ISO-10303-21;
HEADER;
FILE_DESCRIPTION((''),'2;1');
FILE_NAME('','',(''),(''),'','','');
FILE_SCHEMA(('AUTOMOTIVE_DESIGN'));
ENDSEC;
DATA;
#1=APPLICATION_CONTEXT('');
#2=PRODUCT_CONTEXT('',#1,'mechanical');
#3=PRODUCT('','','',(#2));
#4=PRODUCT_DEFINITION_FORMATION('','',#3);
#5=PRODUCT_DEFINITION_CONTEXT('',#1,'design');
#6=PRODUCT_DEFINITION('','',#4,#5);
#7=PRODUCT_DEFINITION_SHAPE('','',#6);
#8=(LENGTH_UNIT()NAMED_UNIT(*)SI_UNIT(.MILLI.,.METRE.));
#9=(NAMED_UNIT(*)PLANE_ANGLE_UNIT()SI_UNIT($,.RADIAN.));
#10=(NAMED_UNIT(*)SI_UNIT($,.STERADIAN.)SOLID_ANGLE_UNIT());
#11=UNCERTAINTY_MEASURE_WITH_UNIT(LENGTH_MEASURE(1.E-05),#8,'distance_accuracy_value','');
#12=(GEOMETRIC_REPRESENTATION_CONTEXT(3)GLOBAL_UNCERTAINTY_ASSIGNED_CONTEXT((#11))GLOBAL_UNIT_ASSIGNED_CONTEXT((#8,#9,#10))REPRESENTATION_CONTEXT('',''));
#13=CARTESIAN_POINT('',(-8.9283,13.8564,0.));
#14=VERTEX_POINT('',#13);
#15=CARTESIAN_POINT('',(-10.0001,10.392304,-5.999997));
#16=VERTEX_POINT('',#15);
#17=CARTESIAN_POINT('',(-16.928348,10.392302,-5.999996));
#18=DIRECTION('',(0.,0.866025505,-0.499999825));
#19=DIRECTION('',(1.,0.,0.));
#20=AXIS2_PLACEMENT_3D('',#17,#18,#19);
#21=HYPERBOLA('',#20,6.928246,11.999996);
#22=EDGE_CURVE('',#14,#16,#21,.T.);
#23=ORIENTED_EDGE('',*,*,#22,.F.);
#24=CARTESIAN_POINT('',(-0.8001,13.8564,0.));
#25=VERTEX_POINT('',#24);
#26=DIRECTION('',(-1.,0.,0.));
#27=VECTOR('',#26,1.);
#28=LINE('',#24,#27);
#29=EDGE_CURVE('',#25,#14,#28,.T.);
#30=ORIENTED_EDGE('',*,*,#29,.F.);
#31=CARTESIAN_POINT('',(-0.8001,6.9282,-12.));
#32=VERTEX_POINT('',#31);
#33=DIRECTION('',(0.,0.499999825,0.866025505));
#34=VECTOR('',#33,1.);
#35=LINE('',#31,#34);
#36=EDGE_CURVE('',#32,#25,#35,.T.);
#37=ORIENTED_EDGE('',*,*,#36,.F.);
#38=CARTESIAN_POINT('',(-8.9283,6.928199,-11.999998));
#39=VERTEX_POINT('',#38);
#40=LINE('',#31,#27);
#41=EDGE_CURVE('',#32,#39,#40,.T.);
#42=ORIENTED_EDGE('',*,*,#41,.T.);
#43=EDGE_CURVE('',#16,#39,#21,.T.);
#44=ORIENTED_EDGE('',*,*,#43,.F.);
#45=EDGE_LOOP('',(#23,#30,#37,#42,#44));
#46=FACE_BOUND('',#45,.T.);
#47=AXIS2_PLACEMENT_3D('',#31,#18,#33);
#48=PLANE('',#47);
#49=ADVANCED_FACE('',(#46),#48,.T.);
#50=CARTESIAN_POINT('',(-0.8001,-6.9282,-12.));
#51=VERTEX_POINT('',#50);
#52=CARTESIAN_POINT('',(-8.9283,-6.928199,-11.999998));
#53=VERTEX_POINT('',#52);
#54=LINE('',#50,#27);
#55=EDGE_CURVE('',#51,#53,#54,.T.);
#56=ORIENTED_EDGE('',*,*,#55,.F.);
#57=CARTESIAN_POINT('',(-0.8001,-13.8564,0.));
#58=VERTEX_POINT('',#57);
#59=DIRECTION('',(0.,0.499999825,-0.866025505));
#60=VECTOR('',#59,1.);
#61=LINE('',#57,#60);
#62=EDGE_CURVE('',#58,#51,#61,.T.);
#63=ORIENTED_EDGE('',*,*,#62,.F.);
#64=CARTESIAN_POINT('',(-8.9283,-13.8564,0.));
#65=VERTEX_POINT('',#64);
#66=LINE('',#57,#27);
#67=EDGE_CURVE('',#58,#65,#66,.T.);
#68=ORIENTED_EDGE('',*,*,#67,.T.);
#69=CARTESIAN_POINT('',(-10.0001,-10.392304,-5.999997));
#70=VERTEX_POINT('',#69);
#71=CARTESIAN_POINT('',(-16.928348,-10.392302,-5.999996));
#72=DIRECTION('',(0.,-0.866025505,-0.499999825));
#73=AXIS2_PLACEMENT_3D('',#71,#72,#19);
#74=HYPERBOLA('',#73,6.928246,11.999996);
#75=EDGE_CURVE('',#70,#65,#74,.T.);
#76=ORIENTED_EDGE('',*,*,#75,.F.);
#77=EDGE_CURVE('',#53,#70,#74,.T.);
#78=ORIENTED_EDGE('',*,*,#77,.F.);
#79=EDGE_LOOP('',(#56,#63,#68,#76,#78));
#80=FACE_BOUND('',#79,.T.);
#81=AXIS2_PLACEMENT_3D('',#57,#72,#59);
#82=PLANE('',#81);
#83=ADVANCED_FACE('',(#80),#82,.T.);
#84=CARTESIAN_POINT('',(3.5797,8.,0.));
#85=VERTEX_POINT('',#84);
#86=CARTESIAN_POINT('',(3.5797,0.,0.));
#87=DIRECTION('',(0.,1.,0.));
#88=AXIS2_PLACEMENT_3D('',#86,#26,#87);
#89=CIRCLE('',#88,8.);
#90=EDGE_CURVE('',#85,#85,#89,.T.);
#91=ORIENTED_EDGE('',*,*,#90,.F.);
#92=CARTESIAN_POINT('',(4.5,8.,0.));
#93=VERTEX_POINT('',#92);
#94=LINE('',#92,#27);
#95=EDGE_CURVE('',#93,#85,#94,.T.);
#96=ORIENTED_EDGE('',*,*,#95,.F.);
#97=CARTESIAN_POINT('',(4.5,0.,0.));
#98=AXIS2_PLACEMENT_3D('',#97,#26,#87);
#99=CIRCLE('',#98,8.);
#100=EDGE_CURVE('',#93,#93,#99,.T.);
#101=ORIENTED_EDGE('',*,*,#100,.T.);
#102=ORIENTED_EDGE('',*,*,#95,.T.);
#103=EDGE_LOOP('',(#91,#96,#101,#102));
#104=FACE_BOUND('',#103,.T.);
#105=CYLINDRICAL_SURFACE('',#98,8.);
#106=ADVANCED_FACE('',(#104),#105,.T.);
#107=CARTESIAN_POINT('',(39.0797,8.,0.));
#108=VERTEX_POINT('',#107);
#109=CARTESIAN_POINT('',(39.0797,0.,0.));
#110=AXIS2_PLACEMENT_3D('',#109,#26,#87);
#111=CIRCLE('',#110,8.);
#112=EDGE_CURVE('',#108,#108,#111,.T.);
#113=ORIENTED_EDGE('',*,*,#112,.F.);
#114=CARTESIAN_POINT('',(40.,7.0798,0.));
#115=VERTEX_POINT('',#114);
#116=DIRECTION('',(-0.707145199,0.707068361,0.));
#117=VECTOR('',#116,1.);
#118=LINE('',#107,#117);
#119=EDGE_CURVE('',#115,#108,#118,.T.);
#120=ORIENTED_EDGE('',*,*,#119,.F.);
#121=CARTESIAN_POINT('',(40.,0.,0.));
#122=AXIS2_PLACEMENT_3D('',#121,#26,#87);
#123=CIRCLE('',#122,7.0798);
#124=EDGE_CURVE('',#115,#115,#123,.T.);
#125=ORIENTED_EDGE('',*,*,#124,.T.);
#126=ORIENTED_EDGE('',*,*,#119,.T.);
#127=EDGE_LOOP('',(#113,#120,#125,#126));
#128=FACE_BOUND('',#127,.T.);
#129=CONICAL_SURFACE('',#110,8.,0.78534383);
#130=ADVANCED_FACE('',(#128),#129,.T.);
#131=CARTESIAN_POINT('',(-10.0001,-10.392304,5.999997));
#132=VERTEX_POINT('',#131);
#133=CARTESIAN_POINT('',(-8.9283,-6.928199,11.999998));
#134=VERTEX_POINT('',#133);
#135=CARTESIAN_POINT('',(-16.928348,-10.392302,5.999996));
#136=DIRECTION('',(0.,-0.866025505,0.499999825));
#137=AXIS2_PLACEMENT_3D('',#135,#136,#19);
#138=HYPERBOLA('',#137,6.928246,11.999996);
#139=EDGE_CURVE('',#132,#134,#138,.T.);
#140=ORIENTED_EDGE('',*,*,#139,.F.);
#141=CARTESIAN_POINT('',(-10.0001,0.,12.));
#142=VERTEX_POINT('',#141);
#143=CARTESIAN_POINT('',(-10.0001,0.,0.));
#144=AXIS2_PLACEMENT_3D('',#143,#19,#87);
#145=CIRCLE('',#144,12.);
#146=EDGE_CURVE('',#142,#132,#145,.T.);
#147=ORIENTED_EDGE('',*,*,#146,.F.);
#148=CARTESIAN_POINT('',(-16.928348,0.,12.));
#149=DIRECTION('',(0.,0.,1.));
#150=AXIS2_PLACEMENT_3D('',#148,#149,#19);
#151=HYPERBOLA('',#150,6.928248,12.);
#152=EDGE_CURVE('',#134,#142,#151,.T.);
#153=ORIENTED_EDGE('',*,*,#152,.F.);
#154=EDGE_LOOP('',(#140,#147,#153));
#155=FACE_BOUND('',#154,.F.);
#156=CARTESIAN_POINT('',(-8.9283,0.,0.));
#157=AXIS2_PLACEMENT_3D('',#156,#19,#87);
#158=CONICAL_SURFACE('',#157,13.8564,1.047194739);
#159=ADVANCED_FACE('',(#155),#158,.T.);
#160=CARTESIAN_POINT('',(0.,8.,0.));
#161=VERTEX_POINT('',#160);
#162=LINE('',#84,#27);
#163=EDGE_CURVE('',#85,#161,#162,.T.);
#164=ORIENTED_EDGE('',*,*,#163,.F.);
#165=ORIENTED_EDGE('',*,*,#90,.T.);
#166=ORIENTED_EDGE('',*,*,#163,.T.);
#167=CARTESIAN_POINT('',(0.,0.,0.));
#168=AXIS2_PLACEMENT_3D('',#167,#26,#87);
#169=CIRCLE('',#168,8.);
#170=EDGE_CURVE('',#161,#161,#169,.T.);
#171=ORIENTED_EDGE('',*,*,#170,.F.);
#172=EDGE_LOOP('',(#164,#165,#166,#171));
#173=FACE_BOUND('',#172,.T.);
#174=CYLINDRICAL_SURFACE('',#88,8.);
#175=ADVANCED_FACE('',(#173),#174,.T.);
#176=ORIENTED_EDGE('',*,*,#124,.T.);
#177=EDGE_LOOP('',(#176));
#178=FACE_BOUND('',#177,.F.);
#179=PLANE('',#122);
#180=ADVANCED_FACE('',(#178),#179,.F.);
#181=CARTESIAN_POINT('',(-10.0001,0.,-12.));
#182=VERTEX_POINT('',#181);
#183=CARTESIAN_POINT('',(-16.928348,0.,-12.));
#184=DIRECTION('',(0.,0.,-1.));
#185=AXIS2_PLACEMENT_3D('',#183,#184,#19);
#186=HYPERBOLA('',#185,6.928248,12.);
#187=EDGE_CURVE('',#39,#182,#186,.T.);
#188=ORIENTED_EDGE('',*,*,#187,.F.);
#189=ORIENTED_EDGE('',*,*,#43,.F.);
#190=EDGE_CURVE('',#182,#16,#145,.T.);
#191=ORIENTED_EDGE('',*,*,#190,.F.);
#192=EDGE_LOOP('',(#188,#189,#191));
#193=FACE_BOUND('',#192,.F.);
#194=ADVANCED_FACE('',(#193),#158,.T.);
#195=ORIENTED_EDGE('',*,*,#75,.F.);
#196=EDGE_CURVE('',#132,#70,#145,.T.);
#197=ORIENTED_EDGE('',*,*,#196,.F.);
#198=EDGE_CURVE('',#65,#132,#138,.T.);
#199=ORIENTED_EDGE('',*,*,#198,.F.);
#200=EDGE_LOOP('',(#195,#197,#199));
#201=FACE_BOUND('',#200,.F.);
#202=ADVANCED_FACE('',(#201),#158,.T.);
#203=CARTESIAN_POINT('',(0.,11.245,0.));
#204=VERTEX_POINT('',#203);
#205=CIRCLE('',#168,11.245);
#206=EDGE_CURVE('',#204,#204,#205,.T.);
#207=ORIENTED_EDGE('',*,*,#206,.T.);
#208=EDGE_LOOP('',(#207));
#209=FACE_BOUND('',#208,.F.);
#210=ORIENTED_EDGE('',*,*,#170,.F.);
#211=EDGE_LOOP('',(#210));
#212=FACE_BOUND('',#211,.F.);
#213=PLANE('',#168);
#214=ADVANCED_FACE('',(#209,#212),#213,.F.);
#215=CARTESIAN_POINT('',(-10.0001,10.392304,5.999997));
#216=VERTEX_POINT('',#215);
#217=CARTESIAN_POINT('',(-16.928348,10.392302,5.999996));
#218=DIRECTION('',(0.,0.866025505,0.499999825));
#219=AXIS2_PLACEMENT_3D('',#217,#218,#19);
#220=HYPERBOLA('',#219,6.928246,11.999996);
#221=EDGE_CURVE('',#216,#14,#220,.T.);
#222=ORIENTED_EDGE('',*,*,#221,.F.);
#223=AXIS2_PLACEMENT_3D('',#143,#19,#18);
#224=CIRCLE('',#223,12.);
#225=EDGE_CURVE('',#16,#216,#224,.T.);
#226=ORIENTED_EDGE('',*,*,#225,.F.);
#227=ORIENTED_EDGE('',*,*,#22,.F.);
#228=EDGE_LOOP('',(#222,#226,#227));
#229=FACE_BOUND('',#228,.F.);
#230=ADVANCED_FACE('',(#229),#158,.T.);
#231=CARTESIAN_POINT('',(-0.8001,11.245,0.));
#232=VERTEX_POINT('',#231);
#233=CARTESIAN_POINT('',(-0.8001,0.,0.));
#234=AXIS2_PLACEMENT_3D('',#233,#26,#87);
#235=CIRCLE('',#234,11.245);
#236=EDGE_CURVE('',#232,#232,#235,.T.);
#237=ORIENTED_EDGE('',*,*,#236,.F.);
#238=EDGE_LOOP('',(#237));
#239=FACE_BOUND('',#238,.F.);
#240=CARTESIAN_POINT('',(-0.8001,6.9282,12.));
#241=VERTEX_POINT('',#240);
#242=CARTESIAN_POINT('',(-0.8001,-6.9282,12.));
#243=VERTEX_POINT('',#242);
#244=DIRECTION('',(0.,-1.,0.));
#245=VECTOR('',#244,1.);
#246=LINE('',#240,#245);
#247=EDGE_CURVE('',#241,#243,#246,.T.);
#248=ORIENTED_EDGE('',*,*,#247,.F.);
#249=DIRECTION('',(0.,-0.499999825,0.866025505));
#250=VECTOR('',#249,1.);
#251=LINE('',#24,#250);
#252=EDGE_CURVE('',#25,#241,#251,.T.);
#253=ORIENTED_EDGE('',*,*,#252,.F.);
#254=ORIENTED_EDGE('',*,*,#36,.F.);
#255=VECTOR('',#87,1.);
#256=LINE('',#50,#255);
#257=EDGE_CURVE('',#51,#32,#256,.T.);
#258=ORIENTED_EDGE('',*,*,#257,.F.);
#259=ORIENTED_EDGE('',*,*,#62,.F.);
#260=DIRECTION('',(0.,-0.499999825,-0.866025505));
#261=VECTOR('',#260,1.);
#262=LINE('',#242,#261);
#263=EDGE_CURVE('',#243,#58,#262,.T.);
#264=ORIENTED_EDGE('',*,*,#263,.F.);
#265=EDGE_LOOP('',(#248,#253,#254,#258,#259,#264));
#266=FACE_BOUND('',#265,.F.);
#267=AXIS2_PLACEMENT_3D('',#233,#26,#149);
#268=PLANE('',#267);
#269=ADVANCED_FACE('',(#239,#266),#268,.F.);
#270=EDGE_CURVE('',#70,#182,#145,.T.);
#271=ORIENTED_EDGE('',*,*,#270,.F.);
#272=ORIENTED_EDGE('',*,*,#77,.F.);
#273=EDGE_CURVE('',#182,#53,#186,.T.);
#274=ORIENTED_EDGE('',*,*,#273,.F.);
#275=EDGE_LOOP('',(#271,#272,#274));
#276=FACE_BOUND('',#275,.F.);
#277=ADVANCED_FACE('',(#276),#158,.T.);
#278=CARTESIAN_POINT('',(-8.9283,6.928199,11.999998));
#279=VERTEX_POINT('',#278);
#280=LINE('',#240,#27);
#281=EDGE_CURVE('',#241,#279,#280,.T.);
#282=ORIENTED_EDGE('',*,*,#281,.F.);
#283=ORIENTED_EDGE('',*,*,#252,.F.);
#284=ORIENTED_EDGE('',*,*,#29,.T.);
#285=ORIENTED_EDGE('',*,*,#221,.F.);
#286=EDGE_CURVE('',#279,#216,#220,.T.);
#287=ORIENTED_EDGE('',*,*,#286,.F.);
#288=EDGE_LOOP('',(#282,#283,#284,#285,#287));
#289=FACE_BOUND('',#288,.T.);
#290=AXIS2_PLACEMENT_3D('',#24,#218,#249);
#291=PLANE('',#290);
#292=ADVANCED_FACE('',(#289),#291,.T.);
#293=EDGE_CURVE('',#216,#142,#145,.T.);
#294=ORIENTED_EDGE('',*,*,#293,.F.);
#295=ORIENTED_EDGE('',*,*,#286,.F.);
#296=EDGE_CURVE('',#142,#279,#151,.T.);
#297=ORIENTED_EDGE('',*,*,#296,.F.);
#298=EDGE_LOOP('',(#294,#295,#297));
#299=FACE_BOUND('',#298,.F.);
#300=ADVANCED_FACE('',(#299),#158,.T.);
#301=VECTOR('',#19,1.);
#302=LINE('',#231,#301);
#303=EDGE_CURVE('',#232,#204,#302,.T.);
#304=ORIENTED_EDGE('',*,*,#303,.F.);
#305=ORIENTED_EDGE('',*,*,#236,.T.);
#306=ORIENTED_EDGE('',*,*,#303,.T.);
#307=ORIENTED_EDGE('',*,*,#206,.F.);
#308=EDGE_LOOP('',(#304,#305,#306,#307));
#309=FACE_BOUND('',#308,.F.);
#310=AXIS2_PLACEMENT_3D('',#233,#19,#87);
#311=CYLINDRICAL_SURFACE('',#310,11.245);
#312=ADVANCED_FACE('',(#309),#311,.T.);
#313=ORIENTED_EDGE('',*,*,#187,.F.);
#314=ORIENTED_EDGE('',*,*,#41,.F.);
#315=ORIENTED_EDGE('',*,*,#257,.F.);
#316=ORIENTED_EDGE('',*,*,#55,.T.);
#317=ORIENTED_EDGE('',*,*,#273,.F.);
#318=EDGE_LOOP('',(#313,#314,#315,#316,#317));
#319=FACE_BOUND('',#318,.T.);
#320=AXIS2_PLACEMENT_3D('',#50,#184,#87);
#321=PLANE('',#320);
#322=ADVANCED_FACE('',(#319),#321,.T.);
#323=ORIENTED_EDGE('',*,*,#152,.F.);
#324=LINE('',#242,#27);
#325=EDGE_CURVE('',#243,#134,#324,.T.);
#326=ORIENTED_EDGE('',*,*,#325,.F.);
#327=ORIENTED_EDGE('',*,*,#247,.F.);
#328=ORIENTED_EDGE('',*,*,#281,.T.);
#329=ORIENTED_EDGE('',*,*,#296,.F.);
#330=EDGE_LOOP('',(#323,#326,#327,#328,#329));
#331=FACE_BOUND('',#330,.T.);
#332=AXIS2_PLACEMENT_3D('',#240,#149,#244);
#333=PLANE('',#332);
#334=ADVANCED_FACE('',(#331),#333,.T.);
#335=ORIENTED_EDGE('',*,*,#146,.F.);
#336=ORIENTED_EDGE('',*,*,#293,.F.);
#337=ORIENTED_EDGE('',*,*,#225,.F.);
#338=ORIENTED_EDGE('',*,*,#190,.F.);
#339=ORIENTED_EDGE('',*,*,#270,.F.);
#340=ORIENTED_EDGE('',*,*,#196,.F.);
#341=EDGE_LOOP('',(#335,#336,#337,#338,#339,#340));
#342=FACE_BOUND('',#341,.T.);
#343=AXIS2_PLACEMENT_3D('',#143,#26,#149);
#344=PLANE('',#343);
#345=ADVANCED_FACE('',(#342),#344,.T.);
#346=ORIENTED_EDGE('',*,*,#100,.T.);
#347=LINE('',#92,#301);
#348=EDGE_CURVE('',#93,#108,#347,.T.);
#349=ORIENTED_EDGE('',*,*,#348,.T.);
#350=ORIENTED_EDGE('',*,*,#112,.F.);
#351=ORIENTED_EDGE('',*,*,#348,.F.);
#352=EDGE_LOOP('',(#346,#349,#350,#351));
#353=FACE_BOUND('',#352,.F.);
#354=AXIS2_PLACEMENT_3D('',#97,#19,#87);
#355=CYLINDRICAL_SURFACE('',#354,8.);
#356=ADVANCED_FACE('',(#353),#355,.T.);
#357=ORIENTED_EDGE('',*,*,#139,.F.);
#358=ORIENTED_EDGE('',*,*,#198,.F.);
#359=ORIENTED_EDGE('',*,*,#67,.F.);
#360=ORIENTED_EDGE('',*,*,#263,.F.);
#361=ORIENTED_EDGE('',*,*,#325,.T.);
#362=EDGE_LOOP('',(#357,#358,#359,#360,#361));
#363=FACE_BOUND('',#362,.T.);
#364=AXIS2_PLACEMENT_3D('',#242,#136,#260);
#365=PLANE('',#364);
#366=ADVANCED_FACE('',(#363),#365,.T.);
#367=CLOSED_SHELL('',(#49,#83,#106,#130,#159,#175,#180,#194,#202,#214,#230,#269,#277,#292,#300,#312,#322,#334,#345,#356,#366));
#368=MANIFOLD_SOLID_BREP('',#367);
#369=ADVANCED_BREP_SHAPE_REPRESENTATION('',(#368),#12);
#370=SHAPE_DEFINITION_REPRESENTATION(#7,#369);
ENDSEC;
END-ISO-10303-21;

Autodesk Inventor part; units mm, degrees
ref_plane "YZ Plane" through (0, 0, 0) normal (1, 0, 0) x (0, 1, 0)
ref_plane "XZ Plane" through (0, 0, 0) normal (0, 1, 0) x (-1, 0, 0)
sketch "Sketch1" plane through (0, 0, 0) normal (0, 0, 1) x (1, 0, 0)
  line L0 (0, 11.245) -> (0, 8)
  line L1 (4.5, 8) -> (40, 8)
  line L2 (40, 8) -> (40, 0)
  line L3 (40, 0) -> (-0.8001, 0)
  line L4 (-8.9601, 0) -> (48.16, 0) projected
  line L5 (-0.8001, 0) -> (-0.8001, 11.245)
  line L6 (-0.8001, 11.245) -> (0, 11.245)
  line L7 (4.5, 8) -> (3.5797, 8)
  line L8 (3.5797, 8) -> (0, 8)
  line L9 (0, -2.249) -> (0, 13.494) projected
  dimension "d0" = 40
  dimension "d1" = 35.5
  dimension "d2" = 16
  dimension "d9" = 0.8001
  dimension "d10" = 22.49
  dimension "d13" = 0.9203
  dimension "d14" = 16
revolve "Body" add sketch "Sketch1" angle 360 about axis through (40, 0, 0) along (-1, 0, 0)
sketch "Sketch2" plane through (-0.8001, 0, 0) normal (-1, 0, 0) x (0, 0, 1)
  line L0 (0, 13.8564) -> (12, 6.9282)
  line L1 (12, 6.9282) -> (12, -6.9282)
  line L2 (12, -6.9282) -> (0, -13.8564)
  line L3 (0, -13.8564) -> (-12, -6.9282)
  line L4 (-12, -6.9282) -> (-12, 6.9282)
  line L5 (-12, 6.9282) -> (0, 13.8564)
  point P0 (0, 0)
  point P1 (0, 0)
  dimension "d11" = 24
extrude "Head" add sketch "Sketch2" along normal blind 9.2
sketch "Sketch4" plane through (0, 0, 0) normal (0, 0, 1) x (1, 0, 0)
  line L0 (-10.0001, 12) -> (-10.0001, 13.8564)
  line L1 (-10.0001, 13.8564) -> (-8.9283, 13.8564)
  line L2 (-8.9283, 13.8564) -> (-10.0001, 12)
  line L3 (-11.8401, 0) -> (1.0399, 0) projected
  line L4 (-0.8001, 13.8564) -> (-10.0001, 13.8564) projected
  line L5 (-10.0001, 6.9282) -> (-10.0001, 13.8564) projected
  dimension "d5" = 30
  dimension "d19" = 24
revolve "Chamfer1" cut sketch "Sketch4" angle 360 about axis through (-10, 0, 0) along (1, 0, 0)
thread "Thread" size "M16x1.5" class "6g" standard "ISO Metric profile" length 35.5
chamfer "Chamfer2" distance 0.9202 distance2 0.9203 1 edges at (40, -8, 0) measured on face at (40, -0.1598, 1.3157)
ref_plane "Work Plane1" through (1.525, 0, 0) normal (0, 0, 1) x (1, 0, 0)
equation "\"d11\" = SW"
equation "\"d3\" = KOH - SD"
equation "\"d15\" = GEL"
equation "\"d6\" = -0.5 * SPD + 0.5 * GD"
equation "\"d0\" = NLG"
equation "\"d1\" = GEL"
equation "\"d2\" = GD"
equation "\"d10\" = SD2"
equation "\"d14\" = BDM"
equation "\"d5\" = ANG1"
equation "\"d19\" = SW0"
equation "\"NLG\" = 40"
equation "\"GD\" = NND"
equation "\"BDM\" = NND"
equation "\"KOH\" = 10"
equation "\"GEL\" = 35.5"
equation "\"SW\" = 24"
equation "\"SW0\" = 24"
equation "\"SPD\" = NND - 1.2269 * PTC"
equation "\"SD2\" = 22.49"
equation "\"SD\" = 0.8"
equation "\"ANG1\" = 30deg"
equation "\"GAL\" = 0.61345 * PTC"
equation "\"GUL\" = 0.61345 * PTC"
equation "\"RR\" = 0.6"
equation "\"GD1\" = THREADDIA - 1.2269 * PTC"
equation "\"THREADDIA\" = 16"
equation "\"SDH\" = SD2"
equation "\"TOA\" = 30deg"
equation "\"PTC\" = 1.5"
equation "\"NND\" = 16"
equation "\"E0\" = 1.155 * SW"
properties part number "ISO 8676 - M16 x 1,5 x 40" material "Stainless Steel, 440C"
